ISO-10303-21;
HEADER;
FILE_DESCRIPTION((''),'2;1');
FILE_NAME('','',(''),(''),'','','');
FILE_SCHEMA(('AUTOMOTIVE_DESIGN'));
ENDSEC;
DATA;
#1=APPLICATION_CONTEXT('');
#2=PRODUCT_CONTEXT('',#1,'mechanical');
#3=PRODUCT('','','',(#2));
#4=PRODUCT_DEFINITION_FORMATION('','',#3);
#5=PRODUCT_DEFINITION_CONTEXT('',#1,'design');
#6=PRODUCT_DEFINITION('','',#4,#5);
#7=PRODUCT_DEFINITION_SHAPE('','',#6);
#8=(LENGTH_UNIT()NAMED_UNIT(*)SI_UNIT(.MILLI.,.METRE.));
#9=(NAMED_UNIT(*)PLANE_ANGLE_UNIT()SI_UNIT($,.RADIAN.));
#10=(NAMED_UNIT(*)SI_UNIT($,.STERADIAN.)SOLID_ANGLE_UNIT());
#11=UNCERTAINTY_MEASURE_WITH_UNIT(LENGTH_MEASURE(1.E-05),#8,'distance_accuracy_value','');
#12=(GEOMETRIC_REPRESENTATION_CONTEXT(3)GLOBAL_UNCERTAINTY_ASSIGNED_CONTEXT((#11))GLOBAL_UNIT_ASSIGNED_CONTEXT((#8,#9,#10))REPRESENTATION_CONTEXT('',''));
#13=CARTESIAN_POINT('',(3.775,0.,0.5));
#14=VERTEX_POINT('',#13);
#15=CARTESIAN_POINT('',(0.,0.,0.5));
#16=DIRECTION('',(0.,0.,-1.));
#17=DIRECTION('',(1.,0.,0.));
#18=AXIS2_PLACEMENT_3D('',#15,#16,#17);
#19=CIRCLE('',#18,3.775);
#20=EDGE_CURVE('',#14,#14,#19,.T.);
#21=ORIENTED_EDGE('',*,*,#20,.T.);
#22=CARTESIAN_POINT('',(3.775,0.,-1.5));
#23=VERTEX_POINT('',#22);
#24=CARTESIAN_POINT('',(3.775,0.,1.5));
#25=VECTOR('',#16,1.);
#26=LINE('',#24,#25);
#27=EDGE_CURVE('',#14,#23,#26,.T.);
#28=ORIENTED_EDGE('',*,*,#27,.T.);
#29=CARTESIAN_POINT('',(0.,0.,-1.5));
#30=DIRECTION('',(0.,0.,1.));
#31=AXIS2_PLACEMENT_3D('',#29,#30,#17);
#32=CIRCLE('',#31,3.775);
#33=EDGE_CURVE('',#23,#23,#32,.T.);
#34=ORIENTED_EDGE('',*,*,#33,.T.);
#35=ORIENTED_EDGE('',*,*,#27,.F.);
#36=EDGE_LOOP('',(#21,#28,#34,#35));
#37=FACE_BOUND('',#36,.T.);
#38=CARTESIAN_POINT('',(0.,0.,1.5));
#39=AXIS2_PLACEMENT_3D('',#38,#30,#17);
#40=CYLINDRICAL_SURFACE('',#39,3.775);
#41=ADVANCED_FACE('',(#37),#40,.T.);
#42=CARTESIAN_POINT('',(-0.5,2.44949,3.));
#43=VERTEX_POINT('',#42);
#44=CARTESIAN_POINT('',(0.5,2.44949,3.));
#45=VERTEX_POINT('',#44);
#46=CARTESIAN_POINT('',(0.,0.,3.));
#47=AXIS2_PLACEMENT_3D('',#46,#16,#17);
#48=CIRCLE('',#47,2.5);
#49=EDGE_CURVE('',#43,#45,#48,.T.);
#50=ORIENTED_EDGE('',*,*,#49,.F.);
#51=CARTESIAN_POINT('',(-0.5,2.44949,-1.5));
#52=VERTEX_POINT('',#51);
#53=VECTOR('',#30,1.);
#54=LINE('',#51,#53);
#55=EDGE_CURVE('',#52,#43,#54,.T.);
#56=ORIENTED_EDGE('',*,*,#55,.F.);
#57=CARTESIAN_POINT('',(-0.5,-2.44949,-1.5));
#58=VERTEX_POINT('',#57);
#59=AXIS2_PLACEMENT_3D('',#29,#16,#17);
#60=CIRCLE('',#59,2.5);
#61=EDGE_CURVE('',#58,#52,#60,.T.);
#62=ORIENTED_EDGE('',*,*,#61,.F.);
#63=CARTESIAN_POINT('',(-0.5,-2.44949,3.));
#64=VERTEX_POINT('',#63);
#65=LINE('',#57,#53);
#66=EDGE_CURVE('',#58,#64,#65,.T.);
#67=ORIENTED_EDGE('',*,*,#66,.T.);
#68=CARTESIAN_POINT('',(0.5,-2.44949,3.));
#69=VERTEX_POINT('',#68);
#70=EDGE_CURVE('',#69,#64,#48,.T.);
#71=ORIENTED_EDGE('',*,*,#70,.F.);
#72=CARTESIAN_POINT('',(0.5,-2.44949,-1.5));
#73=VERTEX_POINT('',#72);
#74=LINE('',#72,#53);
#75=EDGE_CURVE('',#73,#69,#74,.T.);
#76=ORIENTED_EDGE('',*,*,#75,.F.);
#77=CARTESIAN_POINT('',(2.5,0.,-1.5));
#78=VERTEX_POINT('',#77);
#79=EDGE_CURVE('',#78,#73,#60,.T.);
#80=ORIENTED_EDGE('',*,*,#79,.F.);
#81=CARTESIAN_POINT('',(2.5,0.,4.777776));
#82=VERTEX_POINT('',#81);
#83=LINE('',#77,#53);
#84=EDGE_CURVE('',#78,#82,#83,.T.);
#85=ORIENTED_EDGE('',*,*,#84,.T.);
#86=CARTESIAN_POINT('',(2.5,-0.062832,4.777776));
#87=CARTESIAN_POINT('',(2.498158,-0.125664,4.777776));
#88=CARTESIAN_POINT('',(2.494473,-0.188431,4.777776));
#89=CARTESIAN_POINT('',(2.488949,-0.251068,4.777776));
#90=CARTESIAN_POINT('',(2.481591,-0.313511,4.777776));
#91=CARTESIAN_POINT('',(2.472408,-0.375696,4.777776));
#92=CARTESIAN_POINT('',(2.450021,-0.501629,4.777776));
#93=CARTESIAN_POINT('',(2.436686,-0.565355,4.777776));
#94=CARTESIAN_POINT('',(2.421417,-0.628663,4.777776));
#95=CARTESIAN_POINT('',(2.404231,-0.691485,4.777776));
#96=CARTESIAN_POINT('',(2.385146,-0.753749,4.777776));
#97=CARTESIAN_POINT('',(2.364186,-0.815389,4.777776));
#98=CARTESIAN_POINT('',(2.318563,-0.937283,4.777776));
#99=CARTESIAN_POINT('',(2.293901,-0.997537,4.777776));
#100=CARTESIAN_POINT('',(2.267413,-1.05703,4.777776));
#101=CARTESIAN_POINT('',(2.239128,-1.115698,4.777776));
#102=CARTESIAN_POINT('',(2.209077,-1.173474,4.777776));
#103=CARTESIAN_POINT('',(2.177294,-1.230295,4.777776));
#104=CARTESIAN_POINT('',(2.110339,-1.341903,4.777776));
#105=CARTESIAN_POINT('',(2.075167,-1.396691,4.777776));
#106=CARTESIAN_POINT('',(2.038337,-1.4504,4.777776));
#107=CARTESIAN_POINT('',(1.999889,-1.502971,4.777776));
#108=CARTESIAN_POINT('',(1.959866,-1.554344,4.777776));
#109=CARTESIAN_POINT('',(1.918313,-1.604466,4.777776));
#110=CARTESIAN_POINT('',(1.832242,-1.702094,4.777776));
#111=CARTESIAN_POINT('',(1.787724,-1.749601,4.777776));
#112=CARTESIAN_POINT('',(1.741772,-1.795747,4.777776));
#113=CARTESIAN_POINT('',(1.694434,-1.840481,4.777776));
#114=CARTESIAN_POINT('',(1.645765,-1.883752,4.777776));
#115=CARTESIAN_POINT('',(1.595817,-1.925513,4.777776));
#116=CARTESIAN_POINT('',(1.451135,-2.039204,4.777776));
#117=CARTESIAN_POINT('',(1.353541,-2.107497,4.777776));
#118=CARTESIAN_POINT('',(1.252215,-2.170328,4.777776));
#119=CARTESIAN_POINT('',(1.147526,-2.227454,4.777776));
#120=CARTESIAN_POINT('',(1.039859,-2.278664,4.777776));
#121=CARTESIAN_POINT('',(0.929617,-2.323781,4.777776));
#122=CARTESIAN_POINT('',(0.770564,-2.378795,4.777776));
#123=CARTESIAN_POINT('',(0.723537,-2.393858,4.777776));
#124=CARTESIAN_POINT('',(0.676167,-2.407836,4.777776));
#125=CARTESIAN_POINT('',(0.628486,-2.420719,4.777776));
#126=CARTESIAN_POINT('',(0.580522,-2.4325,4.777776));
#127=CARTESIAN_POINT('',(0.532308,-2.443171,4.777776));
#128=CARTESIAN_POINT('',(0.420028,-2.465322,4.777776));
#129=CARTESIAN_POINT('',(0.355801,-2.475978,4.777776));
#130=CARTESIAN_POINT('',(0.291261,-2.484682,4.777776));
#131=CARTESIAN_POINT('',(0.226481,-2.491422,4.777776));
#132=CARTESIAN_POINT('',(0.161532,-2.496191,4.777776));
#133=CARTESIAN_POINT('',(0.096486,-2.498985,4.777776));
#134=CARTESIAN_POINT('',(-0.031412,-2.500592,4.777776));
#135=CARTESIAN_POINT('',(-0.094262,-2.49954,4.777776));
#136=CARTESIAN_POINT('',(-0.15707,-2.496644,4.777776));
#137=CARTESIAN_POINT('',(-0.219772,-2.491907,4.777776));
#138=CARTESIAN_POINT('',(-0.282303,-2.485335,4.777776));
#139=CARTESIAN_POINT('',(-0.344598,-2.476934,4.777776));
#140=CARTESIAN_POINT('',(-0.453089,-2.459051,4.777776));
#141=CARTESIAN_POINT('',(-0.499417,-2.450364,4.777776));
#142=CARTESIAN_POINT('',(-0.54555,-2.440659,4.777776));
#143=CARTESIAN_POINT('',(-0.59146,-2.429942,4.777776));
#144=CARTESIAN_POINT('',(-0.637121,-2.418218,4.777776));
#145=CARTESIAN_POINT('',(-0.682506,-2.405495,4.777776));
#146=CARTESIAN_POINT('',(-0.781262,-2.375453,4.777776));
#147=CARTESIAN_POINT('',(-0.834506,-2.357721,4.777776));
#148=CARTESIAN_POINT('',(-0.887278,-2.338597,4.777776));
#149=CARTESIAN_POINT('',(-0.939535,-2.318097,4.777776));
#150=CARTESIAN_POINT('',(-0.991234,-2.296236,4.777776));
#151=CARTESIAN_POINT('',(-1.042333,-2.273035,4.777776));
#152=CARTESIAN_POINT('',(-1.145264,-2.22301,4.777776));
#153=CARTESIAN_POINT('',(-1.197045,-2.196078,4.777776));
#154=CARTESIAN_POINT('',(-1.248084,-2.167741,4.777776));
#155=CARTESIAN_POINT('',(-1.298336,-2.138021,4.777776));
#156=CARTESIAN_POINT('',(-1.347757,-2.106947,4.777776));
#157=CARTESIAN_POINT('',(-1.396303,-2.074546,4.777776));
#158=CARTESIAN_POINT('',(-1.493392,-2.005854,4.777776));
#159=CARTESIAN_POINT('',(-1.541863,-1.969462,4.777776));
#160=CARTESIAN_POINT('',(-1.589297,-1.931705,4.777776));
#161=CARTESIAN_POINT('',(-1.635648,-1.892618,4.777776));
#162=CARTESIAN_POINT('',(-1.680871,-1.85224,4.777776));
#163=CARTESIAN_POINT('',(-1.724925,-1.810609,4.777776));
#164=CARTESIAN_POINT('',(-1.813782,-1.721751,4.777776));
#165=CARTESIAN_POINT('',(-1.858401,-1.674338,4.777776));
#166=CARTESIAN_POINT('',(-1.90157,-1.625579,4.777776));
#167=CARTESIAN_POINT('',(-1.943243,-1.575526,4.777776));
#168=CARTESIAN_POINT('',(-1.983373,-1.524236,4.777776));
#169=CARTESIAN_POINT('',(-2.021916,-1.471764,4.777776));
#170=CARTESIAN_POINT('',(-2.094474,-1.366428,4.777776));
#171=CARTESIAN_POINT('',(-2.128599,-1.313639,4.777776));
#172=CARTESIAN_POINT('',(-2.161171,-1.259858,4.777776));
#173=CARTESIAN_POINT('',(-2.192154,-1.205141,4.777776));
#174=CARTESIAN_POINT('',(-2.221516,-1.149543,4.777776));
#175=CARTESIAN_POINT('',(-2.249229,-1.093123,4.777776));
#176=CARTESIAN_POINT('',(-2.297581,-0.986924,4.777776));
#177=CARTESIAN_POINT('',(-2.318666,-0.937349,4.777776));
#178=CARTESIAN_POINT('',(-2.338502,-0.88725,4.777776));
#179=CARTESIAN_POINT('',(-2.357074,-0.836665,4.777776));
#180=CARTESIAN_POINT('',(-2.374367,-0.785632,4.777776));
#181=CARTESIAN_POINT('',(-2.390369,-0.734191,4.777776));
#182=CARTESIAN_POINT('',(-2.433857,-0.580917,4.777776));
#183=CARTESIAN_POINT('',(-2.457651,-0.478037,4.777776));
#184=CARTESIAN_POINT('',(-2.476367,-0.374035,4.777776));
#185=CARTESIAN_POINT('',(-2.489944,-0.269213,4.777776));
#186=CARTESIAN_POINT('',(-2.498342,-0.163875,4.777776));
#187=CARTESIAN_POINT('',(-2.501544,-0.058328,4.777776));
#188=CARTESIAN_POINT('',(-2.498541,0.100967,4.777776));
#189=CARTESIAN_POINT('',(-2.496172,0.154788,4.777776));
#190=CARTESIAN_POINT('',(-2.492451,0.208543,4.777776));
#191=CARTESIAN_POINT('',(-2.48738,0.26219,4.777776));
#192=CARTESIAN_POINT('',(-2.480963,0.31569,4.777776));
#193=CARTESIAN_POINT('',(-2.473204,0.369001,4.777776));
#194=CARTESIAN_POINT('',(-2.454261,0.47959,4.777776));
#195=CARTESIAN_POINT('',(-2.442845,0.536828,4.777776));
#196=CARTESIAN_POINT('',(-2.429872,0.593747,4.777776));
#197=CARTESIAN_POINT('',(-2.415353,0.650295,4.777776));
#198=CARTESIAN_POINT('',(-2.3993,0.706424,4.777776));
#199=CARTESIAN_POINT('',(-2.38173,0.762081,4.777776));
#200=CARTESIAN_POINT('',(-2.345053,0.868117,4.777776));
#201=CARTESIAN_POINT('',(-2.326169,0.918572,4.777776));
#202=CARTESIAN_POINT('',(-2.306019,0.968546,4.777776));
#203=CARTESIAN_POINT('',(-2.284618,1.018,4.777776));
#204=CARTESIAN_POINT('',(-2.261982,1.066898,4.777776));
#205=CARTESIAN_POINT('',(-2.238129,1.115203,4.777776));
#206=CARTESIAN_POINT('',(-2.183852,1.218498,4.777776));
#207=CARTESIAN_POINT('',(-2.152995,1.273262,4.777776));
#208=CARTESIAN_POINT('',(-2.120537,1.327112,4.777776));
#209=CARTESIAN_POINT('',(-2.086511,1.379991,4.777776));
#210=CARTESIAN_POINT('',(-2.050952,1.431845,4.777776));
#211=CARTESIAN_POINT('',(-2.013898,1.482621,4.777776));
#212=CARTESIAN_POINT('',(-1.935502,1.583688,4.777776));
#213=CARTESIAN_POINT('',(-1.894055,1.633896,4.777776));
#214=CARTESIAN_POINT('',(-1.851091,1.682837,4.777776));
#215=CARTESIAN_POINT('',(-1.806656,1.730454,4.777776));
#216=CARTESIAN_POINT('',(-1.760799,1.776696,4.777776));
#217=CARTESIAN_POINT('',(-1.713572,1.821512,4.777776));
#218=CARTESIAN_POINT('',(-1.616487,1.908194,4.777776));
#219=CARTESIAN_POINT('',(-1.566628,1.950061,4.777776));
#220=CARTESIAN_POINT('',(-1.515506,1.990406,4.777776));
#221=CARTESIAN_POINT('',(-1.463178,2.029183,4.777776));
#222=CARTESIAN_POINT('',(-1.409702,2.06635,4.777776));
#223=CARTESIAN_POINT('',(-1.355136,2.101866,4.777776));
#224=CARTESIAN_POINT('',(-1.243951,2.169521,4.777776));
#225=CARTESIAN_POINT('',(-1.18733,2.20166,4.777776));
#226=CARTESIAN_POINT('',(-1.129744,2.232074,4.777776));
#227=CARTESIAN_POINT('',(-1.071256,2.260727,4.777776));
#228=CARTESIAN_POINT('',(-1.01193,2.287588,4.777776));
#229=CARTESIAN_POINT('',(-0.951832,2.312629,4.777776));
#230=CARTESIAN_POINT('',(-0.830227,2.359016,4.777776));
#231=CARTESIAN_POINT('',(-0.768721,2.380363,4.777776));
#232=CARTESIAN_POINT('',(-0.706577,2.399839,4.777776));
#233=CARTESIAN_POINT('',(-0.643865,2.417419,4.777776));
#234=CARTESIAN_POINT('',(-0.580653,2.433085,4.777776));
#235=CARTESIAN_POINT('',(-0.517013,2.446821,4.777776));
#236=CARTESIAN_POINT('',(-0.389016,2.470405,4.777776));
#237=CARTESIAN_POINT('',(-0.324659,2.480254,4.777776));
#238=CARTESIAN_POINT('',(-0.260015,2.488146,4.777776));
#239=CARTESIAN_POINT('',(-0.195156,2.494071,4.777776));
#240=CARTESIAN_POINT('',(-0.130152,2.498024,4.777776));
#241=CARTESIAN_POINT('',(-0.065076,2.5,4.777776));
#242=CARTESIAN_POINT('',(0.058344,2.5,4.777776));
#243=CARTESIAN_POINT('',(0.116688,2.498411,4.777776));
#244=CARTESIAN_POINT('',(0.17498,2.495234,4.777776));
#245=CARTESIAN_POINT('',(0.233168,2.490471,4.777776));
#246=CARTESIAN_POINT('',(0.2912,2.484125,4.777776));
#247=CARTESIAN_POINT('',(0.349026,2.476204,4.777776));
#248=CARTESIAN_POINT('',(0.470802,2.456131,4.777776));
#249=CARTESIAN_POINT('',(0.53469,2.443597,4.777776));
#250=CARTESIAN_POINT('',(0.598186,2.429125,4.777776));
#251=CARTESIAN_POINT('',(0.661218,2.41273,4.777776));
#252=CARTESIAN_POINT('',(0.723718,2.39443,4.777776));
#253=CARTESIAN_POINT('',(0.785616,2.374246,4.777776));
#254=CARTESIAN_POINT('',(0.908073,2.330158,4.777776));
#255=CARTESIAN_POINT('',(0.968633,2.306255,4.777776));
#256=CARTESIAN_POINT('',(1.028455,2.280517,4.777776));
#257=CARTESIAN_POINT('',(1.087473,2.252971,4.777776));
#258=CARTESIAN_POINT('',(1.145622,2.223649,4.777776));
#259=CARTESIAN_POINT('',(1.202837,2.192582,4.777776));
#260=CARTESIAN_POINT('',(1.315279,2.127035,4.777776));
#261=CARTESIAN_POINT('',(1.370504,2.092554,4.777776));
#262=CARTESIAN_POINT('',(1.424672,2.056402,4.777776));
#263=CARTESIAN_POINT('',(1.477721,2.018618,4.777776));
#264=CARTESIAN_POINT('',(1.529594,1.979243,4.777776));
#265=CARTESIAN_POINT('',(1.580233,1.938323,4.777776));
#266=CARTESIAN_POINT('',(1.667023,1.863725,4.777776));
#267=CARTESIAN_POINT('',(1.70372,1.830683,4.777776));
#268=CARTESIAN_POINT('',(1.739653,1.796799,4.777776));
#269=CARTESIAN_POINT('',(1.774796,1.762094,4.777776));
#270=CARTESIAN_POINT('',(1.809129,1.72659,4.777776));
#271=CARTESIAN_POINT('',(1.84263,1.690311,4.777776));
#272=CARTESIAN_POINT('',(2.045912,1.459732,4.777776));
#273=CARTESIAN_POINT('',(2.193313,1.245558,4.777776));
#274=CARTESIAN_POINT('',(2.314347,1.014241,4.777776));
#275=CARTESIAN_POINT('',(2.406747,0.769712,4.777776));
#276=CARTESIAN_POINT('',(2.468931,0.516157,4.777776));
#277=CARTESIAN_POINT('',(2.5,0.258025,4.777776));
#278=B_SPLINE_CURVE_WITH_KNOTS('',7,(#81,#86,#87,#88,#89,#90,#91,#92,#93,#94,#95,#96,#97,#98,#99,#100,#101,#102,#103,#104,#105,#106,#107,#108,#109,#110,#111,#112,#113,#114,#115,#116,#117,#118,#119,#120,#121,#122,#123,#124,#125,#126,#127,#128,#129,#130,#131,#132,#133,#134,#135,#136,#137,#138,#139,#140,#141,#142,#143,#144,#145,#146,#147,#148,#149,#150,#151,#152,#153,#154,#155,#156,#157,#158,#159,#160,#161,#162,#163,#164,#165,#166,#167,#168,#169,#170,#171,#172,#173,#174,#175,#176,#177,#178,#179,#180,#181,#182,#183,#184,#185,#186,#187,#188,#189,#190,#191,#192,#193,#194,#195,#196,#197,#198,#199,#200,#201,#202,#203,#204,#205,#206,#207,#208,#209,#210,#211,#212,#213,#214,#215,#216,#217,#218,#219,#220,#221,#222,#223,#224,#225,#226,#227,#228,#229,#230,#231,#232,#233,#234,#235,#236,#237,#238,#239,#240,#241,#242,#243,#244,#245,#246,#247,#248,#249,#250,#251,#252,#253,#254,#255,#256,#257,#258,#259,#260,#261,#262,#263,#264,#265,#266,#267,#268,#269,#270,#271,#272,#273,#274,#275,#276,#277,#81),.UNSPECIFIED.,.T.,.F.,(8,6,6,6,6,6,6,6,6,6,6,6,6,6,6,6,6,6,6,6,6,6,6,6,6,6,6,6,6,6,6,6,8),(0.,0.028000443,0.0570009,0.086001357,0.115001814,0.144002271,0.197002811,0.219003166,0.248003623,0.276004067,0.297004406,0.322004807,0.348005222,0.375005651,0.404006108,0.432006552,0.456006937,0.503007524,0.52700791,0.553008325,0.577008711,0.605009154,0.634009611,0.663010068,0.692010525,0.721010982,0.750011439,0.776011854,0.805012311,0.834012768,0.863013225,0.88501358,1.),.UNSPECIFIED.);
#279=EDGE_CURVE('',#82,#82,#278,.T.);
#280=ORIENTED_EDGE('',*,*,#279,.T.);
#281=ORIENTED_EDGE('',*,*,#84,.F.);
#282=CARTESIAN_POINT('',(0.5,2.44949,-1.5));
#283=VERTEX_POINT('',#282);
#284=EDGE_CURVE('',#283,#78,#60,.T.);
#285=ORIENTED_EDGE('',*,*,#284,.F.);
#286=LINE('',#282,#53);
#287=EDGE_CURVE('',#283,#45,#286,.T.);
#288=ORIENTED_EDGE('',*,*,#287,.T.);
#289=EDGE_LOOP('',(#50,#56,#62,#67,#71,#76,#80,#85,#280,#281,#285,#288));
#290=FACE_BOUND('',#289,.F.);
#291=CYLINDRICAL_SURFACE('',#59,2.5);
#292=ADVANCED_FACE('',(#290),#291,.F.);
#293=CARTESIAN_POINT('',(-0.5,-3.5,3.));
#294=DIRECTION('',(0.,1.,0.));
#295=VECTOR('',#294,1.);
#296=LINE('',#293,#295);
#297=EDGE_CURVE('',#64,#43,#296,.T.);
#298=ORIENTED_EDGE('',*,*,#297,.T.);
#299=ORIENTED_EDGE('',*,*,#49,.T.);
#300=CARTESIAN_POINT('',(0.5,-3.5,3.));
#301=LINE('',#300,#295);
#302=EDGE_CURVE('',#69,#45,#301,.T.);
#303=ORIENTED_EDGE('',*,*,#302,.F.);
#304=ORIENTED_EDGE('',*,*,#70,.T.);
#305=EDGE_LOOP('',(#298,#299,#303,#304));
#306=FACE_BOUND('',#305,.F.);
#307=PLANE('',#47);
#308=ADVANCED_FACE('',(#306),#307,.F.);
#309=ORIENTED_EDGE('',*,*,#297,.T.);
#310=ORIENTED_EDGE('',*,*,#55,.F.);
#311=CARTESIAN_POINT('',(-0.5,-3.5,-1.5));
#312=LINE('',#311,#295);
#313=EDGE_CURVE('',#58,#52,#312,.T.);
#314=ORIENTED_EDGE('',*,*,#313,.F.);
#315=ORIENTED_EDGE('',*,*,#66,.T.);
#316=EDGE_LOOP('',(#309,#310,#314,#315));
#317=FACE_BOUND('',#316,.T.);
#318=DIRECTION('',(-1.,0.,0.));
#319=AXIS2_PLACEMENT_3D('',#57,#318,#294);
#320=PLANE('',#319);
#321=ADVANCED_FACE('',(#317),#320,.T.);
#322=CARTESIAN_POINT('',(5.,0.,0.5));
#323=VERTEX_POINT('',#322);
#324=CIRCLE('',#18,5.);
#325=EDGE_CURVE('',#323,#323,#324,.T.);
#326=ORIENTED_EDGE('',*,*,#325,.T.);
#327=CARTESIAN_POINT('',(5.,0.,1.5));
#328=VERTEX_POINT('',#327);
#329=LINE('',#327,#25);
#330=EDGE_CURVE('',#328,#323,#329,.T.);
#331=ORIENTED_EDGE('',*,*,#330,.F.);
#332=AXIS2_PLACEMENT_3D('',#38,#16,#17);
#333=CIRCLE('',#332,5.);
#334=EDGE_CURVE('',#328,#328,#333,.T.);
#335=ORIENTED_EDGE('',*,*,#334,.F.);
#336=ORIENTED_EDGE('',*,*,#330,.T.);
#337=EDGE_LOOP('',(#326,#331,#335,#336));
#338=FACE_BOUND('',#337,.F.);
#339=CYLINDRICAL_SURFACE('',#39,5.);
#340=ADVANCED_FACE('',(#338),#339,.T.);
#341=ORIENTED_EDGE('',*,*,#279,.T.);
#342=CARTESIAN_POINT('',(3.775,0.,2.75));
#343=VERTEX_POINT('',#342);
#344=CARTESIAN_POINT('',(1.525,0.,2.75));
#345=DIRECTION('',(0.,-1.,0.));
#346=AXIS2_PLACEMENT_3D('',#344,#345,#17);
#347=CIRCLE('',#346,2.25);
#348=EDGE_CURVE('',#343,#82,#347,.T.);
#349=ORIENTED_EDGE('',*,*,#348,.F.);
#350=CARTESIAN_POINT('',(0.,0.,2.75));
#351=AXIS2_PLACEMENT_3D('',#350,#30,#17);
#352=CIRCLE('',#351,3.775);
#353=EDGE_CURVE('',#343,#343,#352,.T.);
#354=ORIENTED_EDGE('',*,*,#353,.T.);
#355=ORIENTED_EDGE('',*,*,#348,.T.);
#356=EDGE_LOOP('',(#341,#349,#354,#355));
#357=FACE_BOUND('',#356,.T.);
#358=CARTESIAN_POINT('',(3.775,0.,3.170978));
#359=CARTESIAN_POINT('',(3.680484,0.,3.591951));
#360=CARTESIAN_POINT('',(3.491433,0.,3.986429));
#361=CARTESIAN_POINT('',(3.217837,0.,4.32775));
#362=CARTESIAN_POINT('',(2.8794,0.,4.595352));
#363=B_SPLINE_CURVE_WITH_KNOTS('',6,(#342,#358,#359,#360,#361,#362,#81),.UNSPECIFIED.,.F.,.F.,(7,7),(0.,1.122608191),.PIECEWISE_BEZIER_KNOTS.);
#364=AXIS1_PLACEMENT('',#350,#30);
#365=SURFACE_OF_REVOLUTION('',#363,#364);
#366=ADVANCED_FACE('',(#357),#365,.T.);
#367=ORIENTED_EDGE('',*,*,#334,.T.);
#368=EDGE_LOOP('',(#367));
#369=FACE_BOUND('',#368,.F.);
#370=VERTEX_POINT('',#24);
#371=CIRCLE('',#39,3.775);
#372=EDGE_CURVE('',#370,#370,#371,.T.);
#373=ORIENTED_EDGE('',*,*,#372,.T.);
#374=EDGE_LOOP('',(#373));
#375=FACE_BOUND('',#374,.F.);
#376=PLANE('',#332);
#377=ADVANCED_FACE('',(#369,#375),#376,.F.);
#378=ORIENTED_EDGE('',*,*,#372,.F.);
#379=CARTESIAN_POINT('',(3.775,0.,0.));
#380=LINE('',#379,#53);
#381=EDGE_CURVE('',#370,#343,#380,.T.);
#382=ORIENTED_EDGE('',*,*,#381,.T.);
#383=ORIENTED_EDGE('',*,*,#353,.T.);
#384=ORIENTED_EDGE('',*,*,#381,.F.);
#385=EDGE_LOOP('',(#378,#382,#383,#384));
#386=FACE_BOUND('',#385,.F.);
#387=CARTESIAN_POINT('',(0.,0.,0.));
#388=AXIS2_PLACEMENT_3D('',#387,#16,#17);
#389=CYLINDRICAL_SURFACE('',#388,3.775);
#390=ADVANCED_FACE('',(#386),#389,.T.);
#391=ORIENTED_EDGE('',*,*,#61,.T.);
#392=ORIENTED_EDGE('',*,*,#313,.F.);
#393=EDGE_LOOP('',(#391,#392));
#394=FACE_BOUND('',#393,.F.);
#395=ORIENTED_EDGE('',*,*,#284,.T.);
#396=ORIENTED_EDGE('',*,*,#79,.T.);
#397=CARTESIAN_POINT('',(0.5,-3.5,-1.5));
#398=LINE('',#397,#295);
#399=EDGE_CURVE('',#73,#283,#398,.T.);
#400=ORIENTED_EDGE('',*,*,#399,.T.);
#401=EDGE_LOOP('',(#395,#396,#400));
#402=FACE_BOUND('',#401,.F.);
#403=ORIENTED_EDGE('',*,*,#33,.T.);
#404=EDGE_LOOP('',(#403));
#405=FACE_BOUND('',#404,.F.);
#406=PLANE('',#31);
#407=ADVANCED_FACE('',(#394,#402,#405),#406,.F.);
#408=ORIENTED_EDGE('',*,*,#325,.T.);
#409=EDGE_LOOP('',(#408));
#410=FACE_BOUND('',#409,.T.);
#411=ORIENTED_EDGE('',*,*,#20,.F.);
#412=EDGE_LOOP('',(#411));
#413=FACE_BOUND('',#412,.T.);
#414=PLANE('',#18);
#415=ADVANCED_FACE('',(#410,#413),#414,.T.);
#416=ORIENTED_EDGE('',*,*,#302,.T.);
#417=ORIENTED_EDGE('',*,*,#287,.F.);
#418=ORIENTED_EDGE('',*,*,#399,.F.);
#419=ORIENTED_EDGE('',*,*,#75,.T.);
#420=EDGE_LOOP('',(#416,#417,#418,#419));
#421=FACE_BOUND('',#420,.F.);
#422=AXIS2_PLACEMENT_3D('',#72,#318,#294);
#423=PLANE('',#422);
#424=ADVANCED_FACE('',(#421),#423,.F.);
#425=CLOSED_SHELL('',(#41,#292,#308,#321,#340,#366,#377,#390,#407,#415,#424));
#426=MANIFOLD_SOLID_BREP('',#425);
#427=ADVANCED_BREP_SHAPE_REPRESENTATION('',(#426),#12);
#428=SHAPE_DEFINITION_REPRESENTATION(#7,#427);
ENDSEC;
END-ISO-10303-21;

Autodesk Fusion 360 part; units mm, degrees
sketch "Sketch1" plane through (0, 0, 0) normal (0, 0, 1) x (1, 0, 0)
  circle A0 centre (0, 0) radius 3.775
  circle A1 centre (0, 0) radius 1.5
  dimension "d1" = 7.55
  dimension "d2" = 3
extrude "Extrude1" add sketch "Sketch1" along normal blind 5 makes body 1
fillet "Fillet1" radius 2.25 1 edges at (-3.5195, -1.3651, 5) on bodies 1
sketch "Sketch2" plane through (0, 0, 0) normal (0, 0, -1) x (1, 0, 0)
  circle A0 centre (0, 0) radius 1.5
  circle A1 centre (0, 0) radius 3.775
  circle A2 centre (0, 0) radius 2
  dimension "d7" = 4
extrude "Extrude2" cut sketch "Sketch2" against normal blind 13.5 contours A2 bodies 1
extrude "Extrude3" cut 1 faces at (3.1618, -0.2869, 0) along direction (0, 0, 1) blind 1.5 on bodies 1 bodies 1
sketch "Sketch3" plane through (0, 0, 1.5) normal (0, 0, -1) x (1, 0, 0)
  circle A0 centre (0, 0) radius 2
  circle A1 centre (0, 0) radius 3.775
  circle A2 centre (0, 0) radius 5
  dimension "d12" = 10
extrude "Extrude4" add sketch "Sketch3" along normal blind 1 separate body contours A2 makes body 2
extrude "Extrude5" add 1 faces at (3.1618, -0.2869, 1.5) along direction (0, 0, -1) blind 3 on bodies 1 bodies 1 2
sketch "Sketch4" plane through (0, 0, -1.5) normal (0, 0, -1) x (1, 0, 0)
  circle A0 centre (0, 0) radius 2
  circle A1 centre (0, 0) radius 3.775
  circle A2 centre (0, 0) radius 2.5
  dimension "d17" = 5
extrude "Extrude6" cut sketch "Sketch4" against normal blind 12.5 contours A2 bodies 1
sketch "Sketch5" plane through (0, 0, -1.5) normal (0, 0, -1) x (1, 0, 0)
  circle A0 centre (0, 0) radius 2.5
  circle A1 centre (0, 0) radius 3.775
  line L0 (0, 3.5) -> (0, -3.5) construction
  line L1 (0.5, 3.5) -> (0.5, -3.5)
  line L2 (-0.5, 3.5) -> (-0.5, -3.5)
  dimension "d20" = -0.5
  dimension "d21" = 0.5
extrude "Extrude7" add sketch "Sketch5" against normal blind 4.5 contours A0 L1 L2 bodies 1
